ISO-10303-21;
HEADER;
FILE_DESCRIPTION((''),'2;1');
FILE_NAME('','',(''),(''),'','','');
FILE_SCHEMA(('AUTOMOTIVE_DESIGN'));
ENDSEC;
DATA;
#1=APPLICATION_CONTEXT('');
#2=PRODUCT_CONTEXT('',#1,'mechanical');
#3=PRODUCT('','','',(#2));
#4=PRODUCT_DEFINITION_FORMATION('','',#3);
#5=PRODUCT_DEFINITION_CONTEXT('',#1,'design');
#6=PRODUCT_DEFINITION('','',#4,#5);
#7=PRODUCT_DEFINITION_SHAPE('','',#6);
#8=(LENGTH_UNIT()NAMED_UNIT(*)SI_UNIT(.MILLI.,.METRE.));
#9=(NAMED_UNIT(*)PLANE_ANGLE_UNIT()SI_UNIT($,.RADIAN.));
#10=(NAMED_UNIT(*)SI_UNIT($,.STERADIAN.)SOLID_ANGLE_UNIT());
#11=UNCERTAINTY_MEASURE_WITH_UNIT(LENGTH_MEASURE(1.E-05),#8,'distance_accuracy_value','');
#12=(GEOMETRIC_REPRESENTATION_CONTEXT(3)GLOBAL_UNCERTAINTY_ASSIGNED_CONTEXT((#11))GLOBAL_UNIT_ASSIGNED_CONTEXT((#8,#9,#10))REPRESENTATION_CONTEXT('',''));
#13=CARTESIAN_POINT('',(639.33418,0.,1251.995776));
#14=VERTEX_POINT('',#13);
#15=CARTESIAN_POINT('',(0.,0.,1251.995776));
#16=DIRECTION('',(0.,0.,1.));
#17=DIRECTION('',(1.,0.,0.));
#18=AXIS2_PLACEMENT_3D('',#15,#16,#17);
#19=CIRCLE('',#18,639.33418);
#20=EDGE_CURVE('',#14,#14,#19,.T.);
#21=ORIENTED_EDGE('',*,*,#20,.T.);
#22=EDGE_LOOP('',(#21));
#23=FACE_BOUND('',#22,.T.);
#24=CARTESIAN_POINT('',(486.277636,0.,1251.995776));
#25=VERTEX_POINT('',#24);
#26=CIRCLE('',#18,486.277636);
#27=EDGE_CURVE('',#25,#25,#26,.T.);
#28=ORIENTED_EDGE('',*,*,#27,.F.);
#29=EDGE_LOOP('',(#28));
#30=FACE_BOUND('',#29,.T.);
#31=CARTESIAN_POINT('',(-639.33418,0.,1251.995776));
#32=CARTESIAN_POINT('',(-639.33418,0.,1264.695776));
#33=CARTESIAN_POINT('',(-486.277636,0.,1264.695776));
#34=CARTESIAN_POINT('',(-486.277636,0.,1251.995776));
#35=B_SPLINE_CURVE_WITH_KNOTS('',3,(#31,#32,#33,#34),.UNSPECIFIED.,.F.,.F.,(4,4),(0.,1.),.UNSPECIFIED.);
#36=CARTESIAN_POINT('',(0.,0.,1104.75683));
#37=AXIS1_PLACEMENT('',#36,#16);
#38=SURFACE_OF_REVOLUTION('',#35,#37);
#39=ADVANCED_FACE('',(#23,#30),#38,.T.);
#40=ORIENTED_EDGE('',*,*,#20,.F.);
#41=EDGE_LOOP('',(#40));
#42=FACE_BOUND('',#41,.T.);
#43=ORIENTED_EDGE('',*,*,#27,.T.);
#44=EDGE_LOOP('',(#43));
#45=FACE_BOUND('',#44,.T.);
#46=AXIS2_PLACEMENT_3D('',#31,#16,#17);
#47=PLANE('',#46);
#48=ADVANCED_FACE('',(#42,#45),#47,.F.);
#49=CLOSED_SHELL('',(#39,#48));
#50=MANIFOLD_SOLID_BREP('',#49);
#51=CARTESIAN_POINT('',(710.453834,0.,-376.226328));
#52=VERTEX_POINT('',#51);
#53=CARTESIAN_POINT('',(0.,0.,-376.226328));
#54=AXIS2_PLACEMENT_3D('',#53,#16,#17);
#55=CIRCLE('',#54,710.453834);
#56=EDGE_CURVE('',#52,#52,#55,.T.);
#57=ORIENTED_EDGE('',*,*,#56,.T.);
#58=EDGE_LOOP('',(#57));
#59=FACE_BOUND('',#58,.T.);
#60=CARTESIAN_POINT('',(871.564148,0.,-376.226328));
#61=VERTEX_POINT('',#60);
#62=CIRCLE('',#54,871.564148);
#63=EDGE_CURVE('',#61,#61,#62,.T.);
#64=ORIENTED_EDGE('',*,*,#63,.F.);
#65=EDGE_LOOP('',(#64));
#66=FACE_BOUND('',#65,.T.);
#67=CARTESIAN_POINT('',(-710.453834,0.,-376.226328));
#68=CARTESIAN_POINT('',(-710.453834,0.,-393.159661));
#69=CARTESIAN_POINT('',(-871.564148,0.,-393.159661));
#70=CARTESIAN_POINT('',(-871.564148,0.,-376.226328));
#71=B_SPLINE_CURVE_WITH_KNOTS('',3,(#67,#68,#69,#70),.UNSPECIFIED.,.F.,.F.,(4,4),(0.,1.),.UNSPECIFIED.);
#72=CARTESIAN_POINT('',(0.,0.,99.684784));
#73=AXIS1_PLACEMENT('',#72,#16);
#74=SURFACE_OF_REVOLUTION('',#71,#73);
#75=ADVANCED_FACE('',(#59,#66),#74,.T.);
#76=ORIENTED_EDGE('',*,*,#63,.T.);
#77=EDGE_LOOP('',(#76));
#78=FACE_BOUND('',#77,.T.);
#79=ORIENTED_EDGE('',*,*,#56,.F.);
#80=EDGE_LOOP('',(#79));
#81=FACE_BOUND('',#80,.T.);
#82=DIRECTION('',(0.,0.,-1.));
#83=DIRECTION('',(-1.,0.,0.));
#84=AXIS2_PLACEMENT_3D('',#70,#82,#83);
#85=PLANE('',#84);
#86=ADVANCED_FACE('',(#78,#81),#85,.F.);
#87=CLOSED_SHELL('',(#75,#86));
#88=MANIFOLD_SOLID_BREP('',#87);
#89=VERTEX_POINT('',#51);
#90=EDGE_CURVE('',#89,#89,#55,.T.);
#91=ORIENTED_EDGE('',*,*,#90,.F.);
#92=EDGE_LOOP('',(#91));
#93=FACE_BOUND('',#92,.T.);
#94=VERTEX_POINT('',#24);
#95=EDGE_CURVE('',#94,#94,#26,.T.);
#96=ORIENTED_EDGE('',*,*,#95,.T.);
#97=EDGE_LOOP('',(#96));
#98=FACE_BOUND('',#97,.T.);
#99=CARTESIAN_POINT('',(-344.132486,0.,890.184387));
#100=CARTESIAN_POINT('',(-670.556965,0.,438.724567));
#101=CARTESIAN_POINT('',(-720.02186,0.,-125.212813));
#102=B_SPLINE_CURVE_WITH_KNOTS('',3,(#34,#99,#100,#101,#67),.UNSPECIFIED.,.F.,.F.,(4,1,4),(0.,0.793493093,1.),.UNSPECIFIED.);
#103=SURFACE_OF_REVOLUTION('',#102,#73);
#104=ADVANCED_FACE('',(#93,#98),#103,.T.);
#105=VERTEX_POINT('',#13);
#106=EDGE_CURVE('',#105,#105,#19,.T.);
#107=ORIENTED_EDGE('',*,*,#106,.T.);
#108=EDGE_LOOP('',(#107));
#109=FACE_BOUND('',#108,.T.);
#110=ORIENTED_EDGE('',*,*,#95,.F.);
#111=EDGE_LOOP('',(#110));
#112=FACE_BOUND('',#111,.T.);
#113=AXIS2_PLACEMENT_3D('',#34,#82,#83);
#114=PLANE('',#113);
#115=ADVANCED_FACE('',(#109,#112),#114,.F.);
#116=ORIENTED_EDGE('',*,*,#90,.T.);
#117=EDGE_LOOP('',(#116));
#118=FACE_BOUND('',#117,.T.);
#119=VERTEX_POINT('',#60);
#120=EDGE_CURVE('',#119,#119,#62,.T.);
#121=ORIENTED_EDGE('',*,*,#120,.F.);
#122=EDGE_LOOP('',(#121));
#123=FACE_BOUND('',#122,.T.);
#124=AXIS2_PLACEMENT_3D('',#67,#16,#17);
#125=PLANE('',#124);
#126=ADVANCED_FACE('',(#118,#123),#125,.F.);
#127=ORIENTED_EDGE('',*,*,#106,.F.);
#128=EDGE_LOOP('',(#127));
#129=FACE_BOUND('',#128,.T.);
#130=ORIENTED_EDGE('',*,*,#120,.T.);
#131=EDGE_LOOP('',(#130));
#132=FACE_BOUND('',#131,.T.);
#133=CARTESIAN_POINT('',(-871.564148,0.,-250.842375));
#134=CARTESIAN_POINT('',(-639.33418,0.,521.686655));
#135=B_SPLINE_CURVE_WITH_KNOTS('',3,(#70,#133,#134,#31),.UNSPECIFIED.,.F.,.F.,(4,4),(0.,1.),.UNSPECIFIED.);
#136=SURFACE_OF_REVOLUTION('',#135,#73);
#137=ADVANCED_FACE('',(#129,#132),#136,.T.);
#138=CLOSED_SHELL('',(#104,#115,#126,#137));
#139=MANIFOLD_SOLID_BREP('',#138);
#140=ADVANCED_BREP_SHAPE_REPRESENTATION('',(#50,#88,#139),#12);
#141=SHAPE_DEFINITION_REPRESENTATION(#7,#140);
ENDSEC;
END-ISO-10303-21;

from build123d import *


with BuildPart() as part:
    # Sketch21 → Revolve2 (revolve)
    with BuildSketch(Plane(origin=(0, 0, 0), x_dir=(1, 0, 0), z_dir=(0, 1, 0))):
        with BuildLine():
            Line((-486.277635526, -1251.995775699), (-639.334180406, -1251.995775699))
            add(Edge.make_bspline(
                [(-871.564148405, 376.226327562), (-871.564148405, 250.842375186), (-639.334180406, -521.686655314), (-639.334180406, -1251.995775699)],
                knots=[0, 0, 0, 0, 1, 1, 1, 1], degree=3))
            Line((-871.564148405, 376.226327562), (-710.453833657, 376.226327562))
            add(Edge.make_bspline(
                [(-710.453833657, 376.226327562), (-720.021859821, 125.212813059), (-670.556964644, -438.724566684), (-344.132485944, -890.184387248), (-486.277635526, -1251.995775699)],
                knots=[0, 0, 0, 0, 0.206506907, 1, 1, 1, 1], degree=3))
        make_face()
    revolve(axis=Axis((0, 0, 99.684784321), (0, 0, -1)))


with BuildPart() as body_2:
    # Sketch22 → Revolve3 (revolve)
    with BuildSketch(Plane(origin=(0, 0, 0), x_dir=(1, 0, 0), z_dir=(0, 1, 0))):
        with BuildLine():
            Line((-871.564148405, 376.226327562), (-710.453833657, 376.226327562))
            add(Edge.make_bspline(
                [(-871.564148405, 376.226327562), (-871.564148405, 393.159660896), (-710.453833657, 393.159660896), (-710.453833657, 376.226327562)],
                knots=[0, 0, 0, 0, 1, 1, 1, 1], degree=3))
        make_face()
    revolve(axis=Axis((0, 0, 99.684784321), (0, 0, -1)))


with BuildPart() as body_3:
    # Sketch23 → Revolve4 (revolve)
    with BuildSketch(Plane(origin=(0, 0, 0), x_dir=(1, 0, 0), z_dir=(0, 1, 0))):
        with BuildLine():
            Line((-639.334180406, -1251.995775699), (-486.277635526, -1251.995775699))
            add(Edge.make_bspline(
                [(-639.334180406, -1251.995775699), (-639.334180406, -1264.695775699), (-486.277635526, -1264.695775699), (-486.277635526, -1251.995775699)],
                knots=[0, 0, 0, 0, 1, 1, 1, 1], degree=3))
        make_face()
    revolve(axis=Axis((0, 0, 1104.756830123), (0, 0, -1)))


solid = Compound([part.part, body_2.part, body_3.part])
